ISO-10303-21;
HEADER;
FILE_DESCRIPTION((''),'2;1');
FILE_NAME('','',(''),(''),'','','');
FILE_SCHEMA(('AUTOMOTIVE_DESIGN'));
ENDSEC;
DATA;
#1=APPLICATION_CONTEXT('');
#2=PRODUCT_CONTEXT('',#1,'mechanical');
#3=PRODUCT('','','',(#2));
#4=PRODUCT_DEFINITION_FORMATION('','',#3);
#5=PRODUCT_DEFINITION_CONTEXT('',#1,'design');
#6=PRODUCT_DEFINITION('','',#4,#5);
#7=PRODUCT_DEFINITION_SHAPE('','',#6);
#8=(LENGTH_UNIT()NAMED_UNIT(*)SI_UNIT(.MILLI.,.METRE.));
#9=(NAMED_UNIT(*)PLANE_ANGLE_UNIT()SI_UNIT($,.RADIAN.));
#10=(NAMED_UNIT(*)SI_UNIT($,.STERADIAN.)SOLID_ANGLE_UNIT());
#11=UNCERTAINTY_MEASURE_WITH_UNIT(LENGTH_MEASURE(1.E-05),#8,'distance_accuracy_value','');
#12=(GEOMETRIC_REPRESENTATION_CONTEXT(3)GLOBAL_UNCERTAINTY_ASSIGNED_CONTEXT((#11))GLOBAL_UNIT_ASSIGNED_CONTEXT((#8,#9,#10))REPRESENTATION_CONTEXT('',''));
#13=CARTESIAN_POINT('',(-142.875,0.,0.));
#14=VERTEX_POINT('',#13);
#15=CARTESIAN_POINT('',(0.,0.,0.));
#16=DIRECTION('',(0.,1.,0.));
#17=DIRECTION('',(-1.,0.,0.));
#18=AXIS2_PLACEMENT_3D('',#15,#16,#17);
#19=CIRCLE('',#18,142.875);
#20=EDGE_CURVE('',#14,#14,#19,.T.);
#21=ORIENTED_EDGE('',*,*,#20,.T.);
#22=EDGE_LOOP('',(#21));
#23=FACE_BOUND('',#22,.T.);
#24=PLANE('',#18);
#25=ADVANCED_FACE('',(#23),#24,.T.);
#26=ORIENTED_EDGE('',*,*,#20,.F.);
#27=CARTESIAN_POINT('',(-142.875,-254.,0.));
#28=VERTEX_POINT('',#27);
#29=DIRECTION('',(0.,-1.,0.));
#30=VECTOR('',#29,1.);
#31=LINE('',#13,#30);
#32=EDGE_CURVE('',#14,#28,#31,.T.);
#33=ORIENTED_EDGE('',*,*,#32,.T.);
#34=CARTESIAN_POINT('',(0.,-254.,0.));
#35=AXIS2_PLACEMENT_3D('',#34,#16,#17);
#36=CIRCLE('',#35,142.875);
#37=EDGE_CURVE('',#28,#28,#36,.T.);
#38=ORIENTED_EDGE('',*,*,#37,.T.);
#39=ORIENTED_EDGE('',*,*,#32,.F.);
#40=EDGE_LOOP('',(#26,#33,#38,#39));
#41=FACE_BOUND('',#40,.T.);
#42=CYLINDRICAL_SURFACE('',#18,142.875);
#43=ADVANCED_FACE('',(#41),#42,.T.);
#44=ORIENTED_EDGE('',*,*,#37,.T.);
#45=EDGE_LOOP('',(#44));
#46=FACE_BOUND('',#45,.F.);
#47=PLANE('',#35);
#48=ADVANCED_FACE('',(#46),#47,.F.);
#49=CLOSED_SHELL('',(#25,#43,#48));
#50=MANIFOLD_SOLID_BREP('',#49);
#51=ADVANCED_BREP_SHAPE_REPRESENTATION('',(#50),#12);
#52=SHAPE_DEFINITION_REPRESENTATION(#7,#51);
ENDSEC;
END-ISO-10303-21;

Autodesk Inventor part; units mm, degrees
ref_plane "YZ Plane" through (0, 0, 0) normal (1, 0, 0) x (0, 1, 0)
ref_plane "XZ Plane" through (0, 0, 0) normal (0, 1, 0) x (-1, 0, 0)
ref_plane "XY Plane" through (0, 0, 0) normal (0, 0, 1) x (1, 0, 0)
sketch "Sketch1" plane through (0, 0, 0) normal (0, 1, 0) x (-1, 0, 0)
  circle A0 centre (0, 0) radius 142.875
  dimension "d0" = 285.75
extrude "Extrusion1" add sketch "Sketch1" against normal blind 254
properties part number "2p3cem" material "Concrete"
